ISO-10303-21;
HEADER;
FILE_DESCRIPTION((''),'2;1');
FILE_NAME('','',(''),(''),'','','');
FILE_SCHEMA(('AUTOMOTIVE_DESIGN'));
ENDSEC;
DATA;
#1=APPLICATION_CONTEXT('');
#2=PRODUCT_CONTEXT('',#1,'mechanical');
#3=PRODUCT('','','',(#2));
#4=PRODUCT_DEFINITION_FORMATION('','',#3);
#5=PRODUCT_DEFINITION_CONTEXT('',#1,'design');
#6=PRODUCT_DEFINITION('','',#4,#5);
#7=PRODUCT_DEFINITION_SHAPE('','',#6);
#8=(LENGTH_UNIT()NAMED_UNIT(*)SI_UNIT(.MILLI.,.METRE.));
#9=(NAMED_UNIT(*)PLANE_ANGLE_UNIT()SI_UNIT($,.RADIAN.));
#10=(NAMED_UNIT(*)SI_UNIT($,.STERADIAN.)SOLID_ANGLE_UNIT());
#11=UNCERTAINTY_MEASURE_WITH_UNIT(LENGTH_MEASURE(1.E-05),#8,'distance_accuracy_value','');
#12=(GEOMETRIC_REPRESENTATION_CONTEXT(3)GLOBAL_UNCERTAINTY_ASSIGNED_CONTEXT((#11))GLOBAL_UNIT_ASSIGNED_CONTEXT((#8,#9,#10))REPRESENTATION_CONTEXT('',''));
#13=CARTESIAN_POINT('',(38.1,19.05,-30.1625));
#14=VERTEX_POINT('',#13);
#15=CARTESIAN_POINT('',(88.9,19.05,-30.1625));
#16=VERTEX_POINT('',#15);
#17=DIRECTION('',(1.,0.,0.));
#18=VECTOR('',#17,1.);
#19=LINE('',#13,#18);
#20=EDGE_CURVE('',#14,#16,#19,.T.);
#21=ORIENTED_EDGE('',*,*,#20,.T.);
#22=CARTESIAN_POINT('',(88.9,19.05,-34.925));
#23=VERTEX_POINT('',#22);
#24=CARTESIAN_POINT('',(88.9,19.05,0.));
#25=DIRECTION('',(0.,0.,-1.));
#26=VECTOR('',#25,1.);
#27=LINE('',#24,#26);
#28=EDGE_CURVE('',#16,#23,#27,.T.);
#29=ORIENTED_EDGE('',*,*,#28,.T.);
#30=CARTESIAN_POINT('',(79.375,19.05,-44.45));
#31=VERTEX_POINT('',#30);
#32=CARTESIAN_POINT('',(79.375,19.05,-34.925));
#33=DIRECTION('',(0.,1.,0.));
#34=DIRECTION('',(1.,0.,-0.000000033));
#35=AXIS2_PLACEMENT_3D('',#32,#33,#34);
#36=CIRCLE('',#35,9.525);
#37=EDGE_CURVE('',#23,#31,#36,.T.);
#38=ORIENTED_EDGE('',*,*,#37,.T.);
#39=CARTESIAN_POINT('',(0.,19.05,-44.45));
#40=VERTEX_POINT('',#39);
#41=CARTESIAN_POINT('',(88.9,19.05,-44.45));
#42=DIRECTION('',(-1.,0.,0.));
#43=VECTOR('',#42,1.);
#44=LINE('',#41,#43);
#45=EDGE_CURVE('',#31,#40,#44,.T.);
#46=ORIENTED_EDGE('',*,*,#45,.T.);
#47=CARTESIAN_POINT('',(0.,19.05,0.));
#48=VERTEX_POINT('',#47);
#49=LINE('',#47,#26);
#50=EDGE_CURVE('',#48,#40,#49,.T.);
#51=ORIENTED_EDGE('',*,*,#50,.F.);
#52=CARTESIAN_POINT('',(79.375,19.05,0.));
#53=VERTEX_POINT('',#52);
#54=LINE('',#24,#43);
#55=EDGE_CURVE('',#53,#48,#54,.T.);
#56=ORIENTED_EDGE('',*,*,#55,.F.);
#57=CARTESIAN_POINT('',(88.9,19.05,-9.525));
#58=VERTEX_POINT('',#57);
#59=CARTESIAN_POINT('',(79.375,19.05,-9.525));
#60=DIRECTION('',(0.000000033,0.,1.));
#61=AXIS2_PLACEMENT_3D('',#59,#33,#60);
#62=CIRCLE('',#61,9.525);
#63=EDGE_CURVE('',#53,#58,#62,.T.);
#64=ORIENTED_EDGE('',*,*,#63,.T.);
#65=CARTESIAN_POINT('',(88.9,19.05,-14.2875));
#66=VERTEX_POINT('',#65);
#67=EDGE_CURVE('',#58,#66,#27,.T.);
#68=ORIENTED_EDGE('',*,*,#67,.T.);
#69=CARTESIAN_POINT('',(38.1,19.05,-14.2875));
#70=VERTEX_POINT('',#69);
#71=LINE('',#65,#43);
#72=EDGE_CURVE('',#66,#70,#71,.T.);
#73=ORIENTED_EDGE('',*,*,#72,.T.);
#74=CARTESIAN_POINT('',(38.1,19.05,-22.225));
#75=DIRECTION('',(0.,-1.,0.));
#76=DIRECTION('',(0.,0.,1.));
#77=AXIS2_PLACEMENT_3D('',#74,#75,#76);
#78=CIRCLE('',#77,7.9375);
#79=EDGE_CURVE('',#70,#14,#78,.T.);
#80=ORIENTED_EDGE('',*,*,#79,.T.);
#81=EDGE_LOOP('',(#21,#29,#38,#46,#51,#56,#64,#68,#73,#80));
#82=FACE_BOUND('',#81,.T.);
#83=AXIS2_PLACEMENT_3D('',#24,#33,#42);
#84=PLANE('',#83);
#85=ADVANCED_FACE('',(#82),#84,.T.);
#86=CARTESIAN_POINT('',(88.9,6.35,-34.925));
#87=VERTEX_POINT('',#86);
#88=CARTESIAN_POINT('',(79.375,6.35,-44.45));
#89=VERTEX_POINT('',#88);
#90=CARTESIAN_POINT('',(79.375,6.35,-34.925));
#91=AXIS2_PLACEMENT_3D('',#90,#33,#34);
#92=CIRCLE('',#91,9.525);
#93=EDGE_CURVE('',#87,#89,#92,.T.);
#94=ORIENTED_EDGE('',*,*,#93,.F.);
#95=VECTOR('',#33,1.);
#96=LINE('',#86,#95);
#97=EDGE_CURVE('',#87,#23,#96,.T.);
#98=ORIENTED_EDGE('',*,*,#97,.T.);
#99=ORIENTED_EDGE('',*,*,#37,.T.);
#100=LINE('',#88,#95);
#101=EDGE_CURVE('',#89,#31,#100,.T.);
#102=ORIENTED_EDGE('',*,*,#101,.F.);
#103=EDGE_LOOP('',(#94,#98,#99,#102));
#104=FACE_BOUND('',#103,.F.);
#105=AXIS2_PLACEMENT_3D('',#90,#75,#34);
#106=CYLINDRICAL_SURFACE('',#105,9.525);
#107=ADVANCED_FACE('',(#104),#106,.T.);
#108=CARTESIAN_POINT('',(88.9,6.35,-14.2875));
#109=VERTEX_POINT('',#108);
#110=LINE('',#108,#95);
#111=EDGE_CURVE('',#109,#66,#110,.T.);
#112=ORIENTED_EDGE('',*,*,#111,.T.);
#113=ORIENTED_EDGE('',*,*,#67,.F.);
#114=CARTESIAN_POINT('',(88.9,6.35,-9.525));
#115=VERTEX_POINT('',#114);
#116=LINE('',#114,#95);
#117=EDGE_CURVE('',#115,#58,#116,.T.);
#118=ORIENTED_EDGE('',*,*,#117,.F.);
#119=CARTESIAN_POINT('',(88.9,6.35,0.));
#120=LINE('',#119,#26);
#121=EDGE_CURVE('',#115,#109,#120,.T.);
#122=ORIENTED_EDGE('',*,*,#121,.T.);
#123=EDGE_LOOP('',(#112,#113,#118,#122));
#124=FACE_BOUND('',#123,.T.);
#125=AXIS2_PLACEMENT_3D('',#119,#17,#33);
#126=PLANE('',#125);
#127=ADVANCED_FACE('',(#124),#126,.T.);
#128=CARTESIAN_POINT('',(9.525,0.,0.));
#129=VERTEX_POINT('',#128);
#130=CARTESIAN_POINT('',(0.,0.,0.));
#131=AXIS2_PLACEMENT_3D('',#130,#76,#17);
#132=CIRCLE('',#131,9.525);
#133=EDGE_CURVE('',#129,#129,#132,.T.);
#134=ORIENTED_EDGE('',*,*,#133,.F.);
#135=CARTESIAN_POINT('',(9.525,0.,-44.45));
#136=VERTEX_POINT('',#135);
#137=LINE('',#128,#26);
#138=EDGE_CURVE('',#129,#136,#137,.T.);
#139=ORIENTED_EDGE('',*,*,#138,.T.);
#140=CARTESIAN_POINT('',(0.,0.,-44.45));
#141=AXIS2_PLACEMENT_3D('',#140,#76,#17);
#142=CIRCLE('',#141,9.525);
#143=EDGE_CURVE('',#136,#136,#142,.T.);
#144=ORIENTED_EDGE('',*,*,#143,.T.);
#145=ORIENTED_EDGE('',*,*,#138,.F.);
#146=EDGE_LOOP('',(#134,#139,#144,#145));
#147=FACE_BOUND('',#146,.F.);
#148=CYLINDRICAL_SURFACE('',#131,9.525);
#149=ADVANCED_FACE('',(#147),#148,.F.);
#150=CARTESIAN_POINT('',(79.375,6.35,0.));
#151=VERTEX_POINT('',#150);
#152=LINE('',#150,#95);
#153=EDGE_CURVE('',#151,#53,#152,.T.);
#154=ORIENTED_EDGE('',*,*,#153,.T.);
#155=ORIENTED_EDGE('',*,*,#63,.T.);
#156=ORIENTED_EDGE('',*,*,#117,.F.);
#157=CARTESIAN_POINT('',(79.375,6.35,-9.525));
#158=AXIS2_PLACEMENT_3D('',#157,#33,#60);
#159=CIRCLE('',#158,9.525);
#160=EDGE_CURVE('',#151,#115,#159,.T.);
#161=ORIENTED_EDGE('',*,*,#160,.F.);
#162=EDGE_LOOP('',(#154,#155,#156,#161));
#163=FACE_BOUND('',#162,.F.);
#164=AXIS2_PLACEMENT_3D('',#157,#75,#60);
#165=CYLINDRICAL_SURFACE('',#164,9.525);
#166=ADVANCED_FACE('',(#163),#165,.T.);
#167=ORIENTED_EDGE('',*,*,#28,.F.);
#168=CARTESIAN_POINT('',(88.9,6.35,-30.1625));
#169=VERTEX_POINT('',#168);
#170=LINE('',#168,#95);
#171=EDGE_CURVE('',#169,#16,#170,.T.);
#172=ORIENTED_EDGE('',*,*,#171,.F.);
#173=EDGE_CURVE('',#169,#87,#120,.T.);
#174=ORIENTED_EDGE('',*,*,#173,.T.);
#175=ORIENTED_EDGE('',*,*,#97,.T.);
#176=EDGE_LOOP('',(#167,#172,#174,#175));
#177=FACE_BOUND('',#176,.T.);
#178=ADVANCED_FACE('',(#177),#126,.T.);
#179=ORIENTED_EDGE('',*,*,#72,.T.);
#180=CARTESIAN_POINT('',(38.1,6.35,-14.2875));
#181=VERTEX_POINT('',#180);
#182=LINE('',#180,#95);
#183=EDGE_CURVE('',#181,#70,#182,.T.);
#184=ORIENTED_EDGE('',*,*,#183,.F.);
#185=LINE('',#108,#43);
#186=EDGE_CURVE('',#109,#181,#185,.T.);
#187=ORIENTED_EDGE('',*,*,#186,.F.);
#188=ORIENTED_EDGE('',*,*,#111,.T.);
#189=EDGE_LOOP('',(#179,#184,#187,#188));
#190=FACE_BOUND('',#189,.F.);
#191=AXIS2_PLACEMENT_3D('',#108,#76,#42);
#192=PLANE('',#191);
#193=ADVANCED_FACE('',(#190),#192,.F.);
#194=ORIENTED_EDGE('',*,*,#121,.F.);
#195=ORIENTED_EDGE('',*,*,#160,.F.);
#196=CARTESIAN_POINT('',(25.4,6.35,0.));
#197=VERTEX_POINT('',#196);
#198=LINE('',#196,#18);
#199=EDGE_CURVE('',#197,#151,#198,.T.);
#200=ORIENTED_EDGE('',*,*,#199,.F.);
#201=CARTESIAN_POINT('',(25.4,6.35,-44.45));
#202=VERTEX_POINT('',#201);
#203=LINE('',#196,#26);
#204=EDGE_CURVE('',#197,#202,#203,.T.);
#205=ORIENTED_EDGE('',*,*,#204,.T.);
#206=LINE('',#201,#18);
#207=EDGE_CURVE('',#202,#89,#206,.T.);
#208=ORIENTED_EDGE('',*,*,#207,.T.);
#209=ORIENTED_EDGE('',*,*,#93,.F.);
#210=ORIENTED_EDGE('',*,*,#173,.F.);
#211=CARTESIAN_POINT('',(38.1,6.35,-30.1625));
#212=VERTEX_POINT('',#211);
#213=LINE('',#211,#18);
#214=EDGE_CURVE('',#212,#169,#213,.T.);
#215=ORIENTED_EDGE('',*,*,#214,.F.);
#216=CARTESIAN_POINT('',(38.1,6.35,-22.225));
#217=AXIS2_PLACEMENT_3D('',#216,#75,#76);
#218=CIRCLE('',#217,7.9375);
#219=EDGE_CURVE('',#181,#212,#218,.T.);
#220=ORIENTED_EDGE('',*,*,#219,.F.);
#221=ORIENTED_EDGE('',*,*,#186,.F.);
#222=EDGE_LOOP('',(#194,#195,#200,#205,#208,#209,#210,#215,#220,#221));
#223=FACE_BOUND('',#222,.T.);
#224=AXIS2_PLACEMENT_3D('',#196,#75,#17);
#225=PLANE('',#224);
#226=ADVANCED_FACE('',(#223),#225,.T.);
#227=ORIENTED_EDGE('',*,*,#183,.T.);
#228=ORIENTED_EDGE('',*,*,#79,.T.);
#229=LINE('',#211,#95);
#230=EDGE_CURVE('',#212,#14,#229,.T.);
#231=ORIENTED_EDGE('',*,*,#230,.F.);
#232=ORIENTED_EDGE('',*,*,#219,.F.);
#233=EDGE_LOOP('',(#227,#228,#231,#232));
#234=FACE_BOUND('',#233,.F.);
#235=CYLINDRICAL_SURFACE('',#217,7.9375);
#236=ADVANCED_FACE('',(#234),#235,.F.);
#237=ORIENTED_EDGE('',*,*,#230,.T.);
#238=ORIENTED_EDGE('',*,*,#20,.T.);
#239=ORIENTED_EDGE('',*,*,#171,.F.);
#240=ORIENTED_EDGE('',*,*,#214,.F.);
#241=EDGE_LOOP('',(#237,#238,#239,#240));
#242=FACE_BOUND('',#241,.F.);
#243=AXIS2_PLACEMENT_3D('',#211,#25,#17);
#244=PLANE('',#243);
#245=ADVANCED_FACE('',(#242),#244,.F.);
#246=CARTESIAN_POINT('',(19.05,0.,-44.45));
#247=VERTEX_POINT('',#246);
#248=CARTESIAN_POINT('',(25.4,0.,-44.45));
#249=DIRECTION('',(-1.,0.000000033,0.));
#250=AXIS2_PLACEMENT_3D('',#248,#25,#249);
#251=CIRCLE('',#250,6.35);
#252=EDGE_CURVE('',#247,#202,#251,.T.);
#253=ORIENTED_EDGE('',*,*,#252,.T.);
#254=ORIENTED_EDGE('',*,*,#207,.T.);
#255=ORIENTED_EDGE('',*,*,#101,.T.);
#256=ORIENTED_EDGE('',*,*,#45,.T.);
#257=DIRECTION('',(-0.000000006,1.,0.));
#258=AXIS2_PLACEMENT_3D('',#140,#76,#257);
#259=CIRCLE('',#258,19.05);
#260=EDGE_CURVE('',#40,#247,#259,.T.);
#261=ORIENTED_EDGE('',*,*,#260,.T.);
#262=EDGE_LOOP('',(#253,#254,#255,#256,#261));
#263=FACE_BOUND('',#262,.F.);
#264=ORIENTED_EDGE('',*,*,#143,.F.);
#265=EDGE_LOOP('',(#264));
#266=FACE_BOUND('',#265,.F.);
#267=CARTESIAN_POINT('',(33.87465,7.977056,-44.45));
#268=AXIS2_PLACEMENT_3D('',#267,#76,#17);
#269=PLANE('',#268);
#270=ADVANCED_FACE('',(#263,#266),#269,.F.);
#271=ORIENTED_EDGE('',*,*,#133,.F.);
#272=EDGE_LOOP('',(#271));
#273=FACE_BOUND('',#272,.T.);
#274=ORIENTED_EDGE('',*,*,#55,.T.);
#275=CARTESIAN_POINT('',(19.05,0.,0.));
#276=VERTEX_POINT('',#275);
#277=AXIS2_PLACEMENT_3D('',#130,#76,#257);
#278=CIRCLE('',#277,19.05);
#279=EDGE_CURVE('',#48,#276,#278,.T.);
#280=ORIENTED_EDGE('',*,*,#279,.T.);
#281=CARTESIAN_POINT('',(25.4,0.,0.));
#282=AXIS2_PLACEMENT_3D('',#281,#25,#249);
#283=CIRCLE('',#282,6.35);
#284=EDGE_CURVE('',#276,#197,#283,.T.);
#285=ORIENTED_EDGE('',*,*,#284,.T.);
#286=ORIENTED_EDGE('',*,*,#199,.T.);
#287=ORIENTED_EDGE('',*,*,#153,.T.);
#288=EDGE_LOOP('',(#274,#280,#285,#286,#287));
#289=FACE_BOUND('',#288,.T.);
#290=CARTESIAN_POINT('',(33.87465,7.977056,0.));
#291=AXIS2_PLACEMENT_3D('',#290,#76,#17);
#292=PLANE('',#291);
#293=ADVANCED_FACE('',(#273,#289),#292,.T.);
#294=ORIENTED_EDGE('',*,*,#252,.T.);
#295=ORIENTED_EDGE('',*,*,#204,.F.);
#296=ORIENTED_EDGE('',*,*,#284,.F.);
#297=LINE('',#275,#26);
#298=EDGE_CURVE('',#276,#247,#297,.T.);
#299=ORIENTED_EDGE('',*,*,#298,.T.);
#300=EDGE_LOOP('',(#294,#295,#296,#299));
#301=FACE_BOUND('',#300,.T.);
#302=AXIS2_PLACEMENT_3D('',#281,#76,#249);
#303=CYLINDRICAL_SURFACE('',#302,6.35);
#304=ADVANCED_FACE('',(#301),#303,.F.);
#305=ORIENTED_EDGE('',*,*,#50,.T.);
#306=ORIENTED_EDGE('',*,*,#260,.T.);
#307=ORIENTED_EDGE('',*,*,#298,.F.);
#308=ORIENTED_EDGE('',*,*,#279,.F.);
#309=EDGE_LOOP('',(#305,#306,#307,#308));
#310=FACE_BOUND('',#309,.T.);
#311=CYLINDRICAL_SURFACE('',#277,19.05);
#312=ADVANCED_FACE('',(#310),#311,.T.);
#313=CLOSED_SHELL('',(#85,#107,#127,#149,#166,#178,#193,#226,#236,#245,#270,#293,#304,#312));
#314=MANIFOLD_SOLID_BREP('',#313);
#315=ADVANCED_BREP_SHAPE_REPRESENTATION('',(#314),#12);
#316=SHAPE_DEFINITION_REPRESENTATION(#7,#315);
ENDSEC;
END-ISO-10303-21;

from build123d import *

# Parameters (mm, degrees)
F0_R     = 9.525
F1_DEPTH = 44.45
F3_DEPTH = 12.7


with BuildPart() as f1:
    # F0 (on Top) → F1 (new body)
    with BuildSketch(Plane.XY):
        with BuildLine():
            Line((38.1, 19.05), (0, 19.05))
            ThreePointArc((0, 19.05), (-13.470384, -13.470384), (19.05, 0))
            ThreePointArc((19.05, 0), (20.909872, 4.490128), (25.4, 6.35))
            Line((25.4, 6.35), (88.9, 6.35))
            Line((88.9, 6.35), (88.9, 19.05))
            Line((88.9, 19.05), (38.1, 19.05))
        make_face()
        Circle(F0_R, mode=Mode.SUBTRACT)
    extrude(amount=-F1_DEPTH)

    # F2 (on face) → F3 (cut)
    with BuildSketch(Plane.XZ.offset(-6.35)):
        with BuildLine():
            ThreePointArc((79.375, 0), (86.110192, -2.789808), (88.9, -9.525))
            Line((88.9, -9.525), (88.9, 0))
            Line((88.9, 0), (79.375, 0))
        make_face()
        with BuildLine():
            Line((38.1, -30.1625), (88.9, -30.1625))
            Line((88.9, -30.1625), (88.9, -22.225))
            Line((88.9, -22.225), (88.9, -14.2875))
            Line((88.9, -14.2875), (38.1, -14.2875))
            ThreePointArc((38.1, -14.2875), (30.1625, -22.225), (38.1, -30.1625))
        make_face()
        with BuildLine():
            Line((88.9, -37.3126), (88.9, -34.925))
            ThreePointArc((88.9, -34.925), (86.110192, -41.660192), (79.375, -44.45))
            Line((79.375, -44.45), (88.9, -44.45))
            Line((88.9, -44.45), (88.9, -37.3126))
        make_face()
    extrude(amount=-F3_DEPTH, mode=Mode.SUBTRACT)


solid = f1.part
